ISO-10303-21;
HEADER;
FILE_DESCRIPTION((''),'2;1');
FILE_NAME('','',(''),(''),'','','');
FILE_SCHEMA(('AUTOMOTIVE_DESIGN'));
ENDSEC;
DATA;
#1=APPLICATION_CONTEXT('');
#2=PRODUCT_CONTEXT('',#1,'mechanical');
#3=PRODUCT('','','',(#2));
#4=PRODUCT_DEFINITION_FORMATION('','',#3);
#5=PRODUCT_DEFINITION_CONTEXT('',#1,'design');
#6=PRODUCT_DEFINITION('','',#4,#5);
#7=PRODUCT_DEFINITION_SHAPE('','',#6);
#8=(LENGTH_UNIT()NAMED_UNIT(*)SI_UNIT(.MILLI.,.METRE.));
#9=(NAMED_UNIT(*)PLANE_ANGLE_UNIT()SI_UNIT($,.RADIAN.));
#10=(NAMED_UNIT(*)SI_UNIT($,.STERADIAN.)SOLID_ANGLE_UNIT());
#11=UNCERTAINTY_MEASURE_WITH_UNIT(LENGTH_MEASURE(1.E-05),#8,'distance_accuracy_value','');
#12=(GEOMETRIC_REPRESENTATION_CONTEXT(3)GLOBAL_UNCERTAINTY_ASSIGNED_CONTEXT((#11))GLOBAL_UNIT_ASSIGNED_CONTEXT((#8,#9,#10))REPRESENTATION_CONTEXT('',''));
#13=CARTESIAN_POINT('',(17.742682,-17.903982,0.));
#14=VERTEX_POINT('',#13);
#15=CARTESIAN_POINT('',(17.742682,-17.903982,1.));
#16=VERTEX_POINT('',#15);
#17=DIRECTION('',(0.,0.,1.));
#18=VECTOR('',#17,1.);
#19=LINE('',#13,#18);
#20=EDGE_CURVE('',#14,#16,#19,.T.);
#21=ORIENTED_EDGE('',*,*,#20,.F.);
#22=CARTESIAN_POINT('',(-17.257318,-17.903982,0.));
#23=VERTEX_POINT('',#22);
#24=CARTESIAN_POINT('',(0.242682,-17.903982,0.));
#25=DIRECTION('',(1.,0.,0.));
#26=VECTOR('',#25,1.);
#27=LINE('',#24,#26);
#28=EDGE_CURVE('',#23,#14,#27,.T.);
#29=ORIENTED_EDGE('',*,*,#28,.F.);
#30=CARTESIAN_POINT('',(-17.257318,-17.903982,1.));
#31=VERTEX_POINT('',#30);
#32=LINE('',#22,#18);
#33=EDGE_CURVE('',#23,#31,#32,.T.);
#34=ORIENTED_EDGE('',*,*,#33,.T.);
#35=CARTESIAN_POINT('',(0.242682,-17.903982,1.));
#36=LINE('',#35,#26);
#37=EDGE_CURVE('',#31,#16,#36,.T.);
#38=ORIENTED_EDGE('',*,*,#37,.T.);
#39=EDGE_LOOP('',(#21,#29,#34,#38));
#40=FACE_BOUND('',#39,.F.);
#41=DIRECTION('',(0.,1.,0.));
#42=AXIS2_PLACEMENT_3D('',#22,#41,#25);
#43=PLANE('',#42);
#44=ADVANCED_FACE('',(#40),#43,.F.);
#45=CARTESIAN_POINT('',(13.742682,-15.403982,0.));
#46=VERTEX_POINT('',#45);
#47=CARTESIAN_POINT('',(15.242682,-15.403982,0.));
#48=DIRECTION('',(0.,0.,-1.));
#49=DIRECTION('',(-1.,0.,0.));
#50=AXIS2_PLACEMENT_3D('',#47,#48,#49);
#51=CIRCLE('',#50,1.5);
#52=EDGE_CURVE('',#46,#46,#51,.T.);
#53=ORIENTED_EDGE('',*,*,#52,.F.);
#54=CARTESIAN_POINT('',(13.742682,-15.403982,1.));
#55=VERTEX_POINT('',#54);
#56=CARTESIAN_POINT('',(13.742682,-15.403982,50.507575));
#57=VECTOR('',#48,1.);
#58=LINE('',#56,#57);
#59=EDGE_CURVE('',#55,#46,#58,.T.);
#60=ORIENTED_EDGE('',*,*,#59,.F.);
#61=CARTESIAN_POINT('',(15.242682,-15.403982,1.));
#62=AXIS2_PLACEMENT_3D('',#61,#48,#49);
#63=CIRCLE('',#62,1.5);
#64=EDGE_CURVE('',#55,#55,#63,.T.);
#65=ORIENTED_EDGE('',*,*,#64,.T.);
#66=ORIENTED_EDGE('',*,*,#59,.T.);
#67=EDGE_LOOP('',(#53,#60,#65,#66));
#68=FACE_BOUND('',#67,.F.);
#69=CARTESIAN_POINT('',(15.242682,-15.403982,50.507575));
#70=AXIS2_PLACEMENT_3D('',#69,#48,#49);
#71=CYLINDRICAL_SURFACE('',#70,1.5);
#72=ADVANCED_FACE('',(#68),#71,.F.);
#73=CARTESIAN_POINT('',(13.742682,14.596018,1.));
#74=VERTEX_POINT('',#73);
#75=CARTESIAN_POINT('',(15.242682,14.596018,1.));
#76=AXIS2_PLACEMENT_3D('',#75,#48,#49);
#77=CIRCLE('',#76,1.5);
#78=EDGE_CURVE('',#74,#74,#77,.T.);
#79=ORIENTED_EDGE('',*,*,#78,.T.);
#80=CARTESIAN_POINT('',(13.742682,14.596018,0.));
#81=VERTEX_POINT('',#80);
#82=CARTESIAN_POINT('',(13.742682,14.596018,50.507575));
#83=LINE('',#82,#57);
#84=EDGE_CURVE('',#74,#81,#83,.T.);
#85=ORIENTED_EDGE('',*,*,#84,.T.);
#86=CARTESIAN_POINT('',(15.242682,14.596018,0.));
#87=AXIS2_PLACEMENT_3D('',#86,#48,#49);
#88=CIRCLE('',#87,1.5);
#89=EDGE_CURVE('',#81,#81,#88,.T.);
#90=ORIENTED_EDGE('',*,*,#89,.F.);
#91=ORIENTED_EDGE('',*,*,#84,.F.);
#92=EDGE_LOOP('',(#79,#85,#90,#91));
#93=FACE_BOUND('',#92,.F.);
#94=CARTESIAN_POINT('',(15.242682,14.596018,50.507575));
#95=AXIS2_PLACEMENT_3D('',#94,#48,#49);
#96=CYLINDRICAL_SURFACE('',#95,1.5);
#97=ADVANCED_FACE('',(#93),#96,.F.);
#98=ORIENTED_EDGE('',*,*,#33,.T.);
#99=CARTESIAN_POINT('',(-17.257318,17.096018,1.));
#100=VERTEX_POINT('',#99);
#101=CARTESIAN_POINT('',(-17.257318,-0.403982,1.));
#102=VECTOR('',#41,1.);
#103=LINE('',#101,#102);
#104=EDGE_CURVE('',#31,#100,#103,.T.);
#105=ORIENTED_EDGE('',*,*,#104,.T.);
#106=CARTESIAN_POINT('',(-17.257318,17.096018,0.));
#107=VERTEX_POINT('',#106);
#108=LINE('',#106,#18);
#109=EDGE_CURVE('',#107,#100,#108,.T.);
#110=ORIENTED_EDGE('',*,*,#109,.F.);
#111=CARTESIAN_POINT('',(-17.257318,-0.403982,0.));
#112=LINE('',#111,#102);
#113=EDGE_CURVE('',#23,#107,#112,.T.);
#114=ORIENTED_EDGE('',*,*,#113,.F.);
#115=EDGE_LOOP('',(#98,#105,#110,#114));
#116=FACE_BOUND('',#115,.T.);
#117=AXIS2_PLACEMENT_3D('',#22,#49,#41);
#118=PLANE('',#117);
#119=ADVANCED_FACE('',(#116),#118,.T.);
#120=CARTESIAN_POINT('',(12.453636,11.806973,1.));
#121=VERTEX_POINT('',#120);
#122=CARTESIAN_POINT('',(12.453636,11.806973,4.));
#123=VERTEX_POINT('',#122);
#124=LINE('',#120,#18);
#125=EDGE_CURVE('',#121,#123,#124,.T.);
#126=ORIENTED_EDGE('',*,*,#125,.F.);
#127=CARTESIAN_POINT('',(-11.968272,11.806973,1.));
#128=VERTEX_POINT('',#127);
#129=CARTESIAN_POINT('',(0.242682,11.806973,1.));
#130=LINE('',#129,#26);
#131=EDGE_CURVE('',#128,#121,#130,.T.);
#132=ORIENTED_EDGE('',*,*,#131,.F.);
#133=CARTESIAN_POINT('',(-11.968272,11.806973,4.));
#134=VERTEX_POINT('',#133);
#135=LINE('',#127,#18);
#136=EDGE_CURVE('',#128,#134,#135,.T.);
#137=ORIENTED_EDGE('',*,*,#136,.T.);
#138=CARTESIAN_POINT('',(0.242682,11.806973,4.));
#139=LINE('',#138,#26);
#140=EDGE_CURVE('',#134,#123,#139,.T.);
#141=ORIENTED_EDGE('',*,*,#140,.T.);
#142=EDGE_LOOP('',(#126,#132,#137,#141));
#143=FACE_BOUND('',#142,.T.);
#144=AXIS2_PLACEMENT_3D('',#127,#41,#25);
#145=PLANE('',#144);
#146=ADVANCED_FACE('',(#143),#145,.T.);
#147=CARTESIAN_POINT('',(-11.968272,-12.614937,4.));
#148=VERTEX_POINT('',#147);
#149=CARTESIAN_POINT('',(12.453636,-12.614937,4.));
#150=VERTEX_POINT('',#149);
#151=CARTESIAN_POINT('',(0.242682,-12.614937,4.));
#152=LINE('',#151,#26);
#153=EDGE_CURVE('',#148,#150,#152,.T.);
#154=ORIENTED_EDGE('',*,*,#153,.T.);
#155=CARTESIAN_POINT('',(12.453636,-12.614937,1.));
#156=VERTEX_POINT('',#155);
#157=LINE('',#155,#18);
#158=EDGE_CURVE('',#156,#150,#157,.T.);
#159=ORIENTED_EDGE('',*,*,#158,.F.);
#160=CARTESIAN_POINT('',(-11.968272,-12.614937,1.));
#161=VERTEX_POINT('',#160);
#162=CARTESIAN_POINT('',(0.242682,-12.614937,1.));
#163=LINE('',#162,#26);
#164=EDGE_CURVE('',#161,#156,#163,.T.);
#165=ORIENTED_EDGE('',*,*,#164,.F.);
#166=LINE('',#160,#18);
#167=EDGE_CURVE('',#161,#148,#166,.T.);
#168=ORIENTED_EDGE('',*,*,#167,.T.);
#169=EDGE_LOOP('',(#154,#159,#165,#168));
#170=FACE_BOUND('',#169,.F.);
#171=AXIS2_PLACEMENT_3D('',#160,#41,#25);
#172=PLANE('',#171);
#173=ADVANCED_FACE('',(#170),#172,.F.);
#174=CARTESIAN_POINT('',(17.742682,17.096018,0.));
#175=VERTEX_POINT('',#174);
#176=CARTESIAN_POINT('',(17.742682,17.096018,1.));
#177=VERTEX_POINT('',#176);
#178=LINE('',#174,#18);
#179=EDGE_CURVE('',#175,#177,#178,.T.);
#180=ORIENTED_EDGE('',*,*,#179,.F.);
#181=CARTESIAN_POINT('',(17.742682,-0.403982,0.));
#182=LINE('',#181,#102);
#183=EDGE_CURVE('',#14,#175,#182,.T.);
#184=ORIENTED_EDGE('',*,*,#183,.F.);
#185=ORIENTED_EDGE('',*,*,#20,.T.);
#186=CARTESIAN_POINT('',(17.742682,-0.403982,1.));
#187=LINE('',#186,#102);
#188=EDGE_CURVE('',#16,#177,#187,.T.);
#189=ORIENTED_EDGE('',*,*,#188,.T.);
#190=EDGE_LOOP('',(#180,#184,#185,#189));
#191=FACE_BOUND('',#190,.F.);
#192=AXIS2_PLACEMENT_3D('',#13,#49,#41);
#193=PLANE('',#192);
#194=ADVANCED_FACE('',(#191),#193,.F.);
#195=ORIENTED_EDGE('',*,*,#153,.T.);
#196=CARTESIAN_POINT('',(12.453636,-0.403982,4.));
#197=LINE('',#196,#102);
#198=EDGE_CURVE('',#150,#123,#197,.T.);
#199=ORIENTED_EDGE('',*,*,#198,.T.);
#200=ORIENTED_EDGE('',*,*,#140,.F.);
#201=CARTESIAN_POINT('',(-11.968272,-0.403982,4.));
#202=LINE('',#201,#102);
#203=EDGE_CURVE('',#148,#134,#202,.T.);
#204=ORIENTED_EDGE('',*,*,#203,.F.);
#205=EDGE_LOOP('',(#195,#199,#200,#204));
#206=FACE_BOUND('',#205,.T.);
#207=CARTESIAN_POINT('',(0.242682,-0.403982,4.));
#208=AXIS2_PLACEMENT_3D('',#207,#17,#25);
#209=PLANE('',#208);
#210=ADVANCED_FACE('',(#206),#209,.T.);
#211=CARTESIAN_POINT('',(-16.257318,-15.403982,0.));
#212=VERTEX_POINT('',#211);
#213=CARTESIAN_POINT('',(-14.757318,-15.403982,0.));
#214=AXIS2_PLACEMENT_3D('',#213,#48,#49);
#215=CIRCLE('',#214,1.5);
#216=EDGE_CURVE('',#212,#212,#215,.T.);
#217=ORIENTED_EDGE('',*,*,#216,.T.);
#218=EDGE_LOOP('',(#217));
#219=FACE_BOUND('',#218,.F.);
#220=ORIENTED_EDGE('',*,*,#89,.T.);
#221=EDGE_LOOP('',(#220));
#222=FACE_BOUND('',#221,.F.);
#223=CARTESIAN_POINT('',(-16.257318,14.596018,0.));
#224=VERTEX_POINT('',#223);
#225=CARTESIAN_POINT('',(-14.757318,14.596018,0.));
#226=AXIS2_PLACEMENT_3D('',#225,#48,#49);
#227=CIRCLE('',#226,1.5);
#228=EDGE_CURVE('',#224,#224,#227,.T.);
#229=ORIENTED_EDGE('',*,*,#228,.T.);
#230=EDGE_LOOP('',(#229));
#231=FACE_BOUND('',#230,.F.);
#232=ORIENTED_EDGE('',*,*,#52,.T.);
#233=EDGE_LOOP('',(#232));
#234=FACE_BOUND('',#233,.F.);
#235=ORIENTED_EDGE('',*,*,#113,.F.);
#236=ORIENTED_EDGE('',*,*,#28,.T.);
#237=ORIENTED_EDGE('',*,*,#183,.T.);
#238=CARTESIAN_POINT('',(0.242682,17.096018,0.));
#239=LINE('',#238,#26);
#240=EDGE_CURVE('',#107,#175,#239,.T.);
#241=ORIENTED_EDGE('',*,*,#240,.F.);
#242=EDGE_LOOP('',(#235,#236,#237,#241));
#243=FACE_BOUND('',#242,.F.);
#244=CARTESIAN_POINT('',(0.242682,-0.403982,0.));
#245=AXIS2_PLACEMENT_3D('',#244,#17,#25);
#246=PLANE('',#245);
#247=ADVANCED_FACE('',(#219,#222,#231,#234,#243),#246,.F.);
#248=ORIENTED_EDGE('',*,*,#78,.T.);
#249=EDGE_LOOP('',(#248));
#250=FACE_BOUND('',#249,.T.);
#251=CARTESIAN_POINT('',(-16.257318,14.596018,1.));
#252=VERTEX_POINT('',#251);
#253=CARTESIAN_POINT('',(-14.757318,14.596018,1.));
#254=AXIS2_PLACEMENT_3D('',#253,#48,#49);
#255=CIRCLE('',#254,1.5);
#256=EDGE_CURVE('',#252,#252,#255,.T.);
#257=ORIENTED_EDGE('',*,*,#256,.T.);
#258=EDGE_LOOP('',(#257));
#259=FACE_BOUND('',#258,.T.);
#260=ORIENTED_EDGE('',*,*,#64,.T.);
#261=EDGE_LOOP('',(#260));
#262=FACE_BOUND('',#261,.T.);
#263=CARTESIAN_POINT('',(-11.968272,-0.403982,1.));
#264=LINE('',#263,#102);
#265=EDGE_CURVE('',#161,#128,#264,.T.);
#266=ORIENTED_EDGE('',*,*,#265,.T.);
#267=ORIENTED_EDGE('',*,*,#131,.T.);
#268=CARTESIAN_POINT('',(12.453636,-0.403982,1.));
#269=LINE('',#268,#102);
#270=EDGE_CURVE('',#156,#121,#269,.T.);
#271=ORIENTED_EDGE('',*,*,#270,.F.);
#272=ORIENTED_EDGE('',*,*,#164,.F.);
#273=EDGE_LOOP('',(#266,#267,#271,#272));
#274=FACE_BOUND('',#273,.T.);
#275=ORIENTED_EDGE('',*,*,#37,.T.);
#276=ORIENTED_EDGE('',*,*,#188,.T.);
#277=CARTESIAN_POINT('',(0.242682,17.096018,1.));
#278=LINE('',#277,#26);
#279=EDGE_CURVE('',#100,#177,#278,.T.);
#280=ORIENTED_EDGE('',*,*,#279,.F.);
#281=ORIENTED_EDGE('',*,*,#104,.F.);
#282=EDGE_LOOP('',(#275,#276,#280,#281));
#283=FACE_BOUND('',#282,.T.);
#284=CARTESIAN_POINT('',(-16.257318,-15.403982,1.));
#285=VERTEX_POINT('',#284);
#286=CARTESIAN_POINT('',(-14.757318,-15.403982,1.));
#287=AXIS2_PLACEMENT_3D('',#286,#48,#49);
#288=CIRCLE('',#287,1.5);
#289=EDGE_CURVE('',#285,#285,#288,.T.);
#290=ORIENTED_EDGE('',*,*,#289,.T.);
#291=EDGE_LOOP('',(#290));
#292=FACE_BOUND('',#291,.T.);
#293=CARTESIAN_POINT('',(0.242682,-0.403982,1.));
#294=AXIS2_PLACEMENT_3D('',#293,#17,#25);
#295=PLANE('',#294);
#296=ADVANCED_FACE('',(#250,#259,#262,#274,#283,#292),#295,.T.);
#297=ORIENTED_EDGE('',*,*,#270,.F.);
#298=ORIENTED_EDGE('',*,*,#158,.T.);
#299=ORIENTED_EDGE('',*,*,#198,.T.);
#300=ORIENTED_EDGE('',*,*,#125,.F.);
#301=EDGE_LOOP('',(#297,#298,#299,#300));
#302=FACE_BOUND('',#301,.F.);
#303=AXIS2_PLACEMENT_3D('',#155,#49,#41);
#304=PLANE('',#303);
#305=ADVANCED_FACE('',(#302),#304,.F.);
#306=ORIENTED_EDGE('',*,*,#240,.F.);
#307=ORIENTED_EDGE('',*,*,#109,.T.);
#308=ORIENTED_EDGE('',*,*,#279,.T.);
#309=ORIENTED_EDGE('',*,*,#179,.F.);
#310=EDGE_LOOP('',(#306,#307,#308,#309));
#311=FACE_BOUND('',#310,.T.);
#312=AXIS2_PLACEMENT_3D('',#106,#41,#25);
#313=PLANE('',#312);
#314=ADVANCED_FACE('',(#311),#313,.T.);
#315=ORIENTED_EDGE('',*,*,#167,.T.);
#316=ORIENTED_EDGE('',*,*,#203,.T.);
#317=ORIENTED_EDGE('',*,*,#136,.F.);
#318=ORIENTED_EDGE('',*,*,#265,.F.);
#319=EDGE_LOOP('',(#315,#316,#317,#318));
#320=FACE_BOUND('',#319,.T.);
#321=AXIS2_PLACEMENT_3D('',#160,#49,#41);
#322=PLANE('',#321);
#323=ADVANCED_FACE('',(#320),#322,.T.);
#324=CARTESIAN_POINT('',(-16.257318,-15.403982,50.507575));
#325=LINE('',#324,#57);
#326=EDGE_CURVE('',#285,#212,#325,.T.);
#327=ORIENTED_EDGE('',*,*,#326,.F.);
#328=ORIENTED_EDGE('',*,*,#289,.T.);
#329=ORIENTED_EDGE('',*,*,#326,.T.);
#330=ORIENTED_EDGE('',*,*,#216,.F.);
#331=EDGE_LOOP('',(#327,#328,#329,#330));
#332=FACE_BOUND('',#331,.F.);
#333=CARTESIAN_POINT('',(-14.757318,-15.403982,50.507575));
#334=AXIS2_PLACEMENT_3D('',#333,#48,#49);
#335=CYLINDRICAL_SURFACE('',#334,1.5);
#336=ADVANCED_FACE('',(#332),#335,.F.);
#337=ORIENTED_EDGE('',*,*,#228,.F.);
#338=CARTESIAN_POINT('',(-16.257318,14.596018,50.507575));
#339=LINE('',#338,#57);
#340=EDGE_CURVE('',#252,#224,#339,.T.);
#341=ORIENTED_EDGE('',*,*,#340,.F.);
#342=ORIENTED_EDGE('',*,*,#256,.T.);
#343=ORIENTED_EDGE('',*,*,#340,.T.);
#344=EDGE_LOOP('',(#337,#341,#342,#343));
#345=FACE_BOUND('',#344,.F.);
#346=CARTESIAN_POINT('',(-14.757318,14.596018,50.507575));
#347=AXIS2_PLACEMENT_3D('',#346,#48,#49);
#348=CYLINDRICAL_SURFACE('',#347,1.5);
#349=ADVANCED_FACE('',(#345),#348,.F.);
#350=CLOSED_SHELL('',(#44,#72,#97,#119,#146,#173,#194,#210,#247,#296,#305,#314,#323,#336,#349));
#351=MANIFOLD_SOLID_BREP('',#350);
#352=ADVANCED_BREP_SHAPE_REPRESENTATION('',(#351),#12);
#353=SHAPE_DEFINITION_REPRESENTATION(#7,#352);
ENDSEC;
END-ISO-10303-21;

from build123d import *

# Parameters (mm, degrees)
F0_W     = 35
F0_H     = 35
F1_DEPTH = 1
F3_D     = 3
F4_W     = 24.421909
F4_H     = 24.421909
F5_DEPTH = 3


with BuildPart() as f1:
    # F0 (on Top) → F1 (new body)
    with BuildSketch(Plane.XY):
        with Locations((0.242682, -0.403982)):
            Rectangle(F0_W, F0_H)
    extrude(amount=F1_DEPTH)

    # F3 (through all)
    with Locations(Plane.XY.offset(1)):
        with Locations((-14.757318, 14.596018), (-14.757318, -15.403982), (15.242682, -15.403982), (15.242682, 14.596018)):
            Hole(F3_D / 2)

    # F4 (on face) → F5 (join)
    with BuildSketch(Plane.XY.offset(1)):
        with Locations((0.242682, -0.403982)):
            Rectangle(F4_W, F4_H)
    extrude(amount=F5_DEPTH)


solid = f1.part
